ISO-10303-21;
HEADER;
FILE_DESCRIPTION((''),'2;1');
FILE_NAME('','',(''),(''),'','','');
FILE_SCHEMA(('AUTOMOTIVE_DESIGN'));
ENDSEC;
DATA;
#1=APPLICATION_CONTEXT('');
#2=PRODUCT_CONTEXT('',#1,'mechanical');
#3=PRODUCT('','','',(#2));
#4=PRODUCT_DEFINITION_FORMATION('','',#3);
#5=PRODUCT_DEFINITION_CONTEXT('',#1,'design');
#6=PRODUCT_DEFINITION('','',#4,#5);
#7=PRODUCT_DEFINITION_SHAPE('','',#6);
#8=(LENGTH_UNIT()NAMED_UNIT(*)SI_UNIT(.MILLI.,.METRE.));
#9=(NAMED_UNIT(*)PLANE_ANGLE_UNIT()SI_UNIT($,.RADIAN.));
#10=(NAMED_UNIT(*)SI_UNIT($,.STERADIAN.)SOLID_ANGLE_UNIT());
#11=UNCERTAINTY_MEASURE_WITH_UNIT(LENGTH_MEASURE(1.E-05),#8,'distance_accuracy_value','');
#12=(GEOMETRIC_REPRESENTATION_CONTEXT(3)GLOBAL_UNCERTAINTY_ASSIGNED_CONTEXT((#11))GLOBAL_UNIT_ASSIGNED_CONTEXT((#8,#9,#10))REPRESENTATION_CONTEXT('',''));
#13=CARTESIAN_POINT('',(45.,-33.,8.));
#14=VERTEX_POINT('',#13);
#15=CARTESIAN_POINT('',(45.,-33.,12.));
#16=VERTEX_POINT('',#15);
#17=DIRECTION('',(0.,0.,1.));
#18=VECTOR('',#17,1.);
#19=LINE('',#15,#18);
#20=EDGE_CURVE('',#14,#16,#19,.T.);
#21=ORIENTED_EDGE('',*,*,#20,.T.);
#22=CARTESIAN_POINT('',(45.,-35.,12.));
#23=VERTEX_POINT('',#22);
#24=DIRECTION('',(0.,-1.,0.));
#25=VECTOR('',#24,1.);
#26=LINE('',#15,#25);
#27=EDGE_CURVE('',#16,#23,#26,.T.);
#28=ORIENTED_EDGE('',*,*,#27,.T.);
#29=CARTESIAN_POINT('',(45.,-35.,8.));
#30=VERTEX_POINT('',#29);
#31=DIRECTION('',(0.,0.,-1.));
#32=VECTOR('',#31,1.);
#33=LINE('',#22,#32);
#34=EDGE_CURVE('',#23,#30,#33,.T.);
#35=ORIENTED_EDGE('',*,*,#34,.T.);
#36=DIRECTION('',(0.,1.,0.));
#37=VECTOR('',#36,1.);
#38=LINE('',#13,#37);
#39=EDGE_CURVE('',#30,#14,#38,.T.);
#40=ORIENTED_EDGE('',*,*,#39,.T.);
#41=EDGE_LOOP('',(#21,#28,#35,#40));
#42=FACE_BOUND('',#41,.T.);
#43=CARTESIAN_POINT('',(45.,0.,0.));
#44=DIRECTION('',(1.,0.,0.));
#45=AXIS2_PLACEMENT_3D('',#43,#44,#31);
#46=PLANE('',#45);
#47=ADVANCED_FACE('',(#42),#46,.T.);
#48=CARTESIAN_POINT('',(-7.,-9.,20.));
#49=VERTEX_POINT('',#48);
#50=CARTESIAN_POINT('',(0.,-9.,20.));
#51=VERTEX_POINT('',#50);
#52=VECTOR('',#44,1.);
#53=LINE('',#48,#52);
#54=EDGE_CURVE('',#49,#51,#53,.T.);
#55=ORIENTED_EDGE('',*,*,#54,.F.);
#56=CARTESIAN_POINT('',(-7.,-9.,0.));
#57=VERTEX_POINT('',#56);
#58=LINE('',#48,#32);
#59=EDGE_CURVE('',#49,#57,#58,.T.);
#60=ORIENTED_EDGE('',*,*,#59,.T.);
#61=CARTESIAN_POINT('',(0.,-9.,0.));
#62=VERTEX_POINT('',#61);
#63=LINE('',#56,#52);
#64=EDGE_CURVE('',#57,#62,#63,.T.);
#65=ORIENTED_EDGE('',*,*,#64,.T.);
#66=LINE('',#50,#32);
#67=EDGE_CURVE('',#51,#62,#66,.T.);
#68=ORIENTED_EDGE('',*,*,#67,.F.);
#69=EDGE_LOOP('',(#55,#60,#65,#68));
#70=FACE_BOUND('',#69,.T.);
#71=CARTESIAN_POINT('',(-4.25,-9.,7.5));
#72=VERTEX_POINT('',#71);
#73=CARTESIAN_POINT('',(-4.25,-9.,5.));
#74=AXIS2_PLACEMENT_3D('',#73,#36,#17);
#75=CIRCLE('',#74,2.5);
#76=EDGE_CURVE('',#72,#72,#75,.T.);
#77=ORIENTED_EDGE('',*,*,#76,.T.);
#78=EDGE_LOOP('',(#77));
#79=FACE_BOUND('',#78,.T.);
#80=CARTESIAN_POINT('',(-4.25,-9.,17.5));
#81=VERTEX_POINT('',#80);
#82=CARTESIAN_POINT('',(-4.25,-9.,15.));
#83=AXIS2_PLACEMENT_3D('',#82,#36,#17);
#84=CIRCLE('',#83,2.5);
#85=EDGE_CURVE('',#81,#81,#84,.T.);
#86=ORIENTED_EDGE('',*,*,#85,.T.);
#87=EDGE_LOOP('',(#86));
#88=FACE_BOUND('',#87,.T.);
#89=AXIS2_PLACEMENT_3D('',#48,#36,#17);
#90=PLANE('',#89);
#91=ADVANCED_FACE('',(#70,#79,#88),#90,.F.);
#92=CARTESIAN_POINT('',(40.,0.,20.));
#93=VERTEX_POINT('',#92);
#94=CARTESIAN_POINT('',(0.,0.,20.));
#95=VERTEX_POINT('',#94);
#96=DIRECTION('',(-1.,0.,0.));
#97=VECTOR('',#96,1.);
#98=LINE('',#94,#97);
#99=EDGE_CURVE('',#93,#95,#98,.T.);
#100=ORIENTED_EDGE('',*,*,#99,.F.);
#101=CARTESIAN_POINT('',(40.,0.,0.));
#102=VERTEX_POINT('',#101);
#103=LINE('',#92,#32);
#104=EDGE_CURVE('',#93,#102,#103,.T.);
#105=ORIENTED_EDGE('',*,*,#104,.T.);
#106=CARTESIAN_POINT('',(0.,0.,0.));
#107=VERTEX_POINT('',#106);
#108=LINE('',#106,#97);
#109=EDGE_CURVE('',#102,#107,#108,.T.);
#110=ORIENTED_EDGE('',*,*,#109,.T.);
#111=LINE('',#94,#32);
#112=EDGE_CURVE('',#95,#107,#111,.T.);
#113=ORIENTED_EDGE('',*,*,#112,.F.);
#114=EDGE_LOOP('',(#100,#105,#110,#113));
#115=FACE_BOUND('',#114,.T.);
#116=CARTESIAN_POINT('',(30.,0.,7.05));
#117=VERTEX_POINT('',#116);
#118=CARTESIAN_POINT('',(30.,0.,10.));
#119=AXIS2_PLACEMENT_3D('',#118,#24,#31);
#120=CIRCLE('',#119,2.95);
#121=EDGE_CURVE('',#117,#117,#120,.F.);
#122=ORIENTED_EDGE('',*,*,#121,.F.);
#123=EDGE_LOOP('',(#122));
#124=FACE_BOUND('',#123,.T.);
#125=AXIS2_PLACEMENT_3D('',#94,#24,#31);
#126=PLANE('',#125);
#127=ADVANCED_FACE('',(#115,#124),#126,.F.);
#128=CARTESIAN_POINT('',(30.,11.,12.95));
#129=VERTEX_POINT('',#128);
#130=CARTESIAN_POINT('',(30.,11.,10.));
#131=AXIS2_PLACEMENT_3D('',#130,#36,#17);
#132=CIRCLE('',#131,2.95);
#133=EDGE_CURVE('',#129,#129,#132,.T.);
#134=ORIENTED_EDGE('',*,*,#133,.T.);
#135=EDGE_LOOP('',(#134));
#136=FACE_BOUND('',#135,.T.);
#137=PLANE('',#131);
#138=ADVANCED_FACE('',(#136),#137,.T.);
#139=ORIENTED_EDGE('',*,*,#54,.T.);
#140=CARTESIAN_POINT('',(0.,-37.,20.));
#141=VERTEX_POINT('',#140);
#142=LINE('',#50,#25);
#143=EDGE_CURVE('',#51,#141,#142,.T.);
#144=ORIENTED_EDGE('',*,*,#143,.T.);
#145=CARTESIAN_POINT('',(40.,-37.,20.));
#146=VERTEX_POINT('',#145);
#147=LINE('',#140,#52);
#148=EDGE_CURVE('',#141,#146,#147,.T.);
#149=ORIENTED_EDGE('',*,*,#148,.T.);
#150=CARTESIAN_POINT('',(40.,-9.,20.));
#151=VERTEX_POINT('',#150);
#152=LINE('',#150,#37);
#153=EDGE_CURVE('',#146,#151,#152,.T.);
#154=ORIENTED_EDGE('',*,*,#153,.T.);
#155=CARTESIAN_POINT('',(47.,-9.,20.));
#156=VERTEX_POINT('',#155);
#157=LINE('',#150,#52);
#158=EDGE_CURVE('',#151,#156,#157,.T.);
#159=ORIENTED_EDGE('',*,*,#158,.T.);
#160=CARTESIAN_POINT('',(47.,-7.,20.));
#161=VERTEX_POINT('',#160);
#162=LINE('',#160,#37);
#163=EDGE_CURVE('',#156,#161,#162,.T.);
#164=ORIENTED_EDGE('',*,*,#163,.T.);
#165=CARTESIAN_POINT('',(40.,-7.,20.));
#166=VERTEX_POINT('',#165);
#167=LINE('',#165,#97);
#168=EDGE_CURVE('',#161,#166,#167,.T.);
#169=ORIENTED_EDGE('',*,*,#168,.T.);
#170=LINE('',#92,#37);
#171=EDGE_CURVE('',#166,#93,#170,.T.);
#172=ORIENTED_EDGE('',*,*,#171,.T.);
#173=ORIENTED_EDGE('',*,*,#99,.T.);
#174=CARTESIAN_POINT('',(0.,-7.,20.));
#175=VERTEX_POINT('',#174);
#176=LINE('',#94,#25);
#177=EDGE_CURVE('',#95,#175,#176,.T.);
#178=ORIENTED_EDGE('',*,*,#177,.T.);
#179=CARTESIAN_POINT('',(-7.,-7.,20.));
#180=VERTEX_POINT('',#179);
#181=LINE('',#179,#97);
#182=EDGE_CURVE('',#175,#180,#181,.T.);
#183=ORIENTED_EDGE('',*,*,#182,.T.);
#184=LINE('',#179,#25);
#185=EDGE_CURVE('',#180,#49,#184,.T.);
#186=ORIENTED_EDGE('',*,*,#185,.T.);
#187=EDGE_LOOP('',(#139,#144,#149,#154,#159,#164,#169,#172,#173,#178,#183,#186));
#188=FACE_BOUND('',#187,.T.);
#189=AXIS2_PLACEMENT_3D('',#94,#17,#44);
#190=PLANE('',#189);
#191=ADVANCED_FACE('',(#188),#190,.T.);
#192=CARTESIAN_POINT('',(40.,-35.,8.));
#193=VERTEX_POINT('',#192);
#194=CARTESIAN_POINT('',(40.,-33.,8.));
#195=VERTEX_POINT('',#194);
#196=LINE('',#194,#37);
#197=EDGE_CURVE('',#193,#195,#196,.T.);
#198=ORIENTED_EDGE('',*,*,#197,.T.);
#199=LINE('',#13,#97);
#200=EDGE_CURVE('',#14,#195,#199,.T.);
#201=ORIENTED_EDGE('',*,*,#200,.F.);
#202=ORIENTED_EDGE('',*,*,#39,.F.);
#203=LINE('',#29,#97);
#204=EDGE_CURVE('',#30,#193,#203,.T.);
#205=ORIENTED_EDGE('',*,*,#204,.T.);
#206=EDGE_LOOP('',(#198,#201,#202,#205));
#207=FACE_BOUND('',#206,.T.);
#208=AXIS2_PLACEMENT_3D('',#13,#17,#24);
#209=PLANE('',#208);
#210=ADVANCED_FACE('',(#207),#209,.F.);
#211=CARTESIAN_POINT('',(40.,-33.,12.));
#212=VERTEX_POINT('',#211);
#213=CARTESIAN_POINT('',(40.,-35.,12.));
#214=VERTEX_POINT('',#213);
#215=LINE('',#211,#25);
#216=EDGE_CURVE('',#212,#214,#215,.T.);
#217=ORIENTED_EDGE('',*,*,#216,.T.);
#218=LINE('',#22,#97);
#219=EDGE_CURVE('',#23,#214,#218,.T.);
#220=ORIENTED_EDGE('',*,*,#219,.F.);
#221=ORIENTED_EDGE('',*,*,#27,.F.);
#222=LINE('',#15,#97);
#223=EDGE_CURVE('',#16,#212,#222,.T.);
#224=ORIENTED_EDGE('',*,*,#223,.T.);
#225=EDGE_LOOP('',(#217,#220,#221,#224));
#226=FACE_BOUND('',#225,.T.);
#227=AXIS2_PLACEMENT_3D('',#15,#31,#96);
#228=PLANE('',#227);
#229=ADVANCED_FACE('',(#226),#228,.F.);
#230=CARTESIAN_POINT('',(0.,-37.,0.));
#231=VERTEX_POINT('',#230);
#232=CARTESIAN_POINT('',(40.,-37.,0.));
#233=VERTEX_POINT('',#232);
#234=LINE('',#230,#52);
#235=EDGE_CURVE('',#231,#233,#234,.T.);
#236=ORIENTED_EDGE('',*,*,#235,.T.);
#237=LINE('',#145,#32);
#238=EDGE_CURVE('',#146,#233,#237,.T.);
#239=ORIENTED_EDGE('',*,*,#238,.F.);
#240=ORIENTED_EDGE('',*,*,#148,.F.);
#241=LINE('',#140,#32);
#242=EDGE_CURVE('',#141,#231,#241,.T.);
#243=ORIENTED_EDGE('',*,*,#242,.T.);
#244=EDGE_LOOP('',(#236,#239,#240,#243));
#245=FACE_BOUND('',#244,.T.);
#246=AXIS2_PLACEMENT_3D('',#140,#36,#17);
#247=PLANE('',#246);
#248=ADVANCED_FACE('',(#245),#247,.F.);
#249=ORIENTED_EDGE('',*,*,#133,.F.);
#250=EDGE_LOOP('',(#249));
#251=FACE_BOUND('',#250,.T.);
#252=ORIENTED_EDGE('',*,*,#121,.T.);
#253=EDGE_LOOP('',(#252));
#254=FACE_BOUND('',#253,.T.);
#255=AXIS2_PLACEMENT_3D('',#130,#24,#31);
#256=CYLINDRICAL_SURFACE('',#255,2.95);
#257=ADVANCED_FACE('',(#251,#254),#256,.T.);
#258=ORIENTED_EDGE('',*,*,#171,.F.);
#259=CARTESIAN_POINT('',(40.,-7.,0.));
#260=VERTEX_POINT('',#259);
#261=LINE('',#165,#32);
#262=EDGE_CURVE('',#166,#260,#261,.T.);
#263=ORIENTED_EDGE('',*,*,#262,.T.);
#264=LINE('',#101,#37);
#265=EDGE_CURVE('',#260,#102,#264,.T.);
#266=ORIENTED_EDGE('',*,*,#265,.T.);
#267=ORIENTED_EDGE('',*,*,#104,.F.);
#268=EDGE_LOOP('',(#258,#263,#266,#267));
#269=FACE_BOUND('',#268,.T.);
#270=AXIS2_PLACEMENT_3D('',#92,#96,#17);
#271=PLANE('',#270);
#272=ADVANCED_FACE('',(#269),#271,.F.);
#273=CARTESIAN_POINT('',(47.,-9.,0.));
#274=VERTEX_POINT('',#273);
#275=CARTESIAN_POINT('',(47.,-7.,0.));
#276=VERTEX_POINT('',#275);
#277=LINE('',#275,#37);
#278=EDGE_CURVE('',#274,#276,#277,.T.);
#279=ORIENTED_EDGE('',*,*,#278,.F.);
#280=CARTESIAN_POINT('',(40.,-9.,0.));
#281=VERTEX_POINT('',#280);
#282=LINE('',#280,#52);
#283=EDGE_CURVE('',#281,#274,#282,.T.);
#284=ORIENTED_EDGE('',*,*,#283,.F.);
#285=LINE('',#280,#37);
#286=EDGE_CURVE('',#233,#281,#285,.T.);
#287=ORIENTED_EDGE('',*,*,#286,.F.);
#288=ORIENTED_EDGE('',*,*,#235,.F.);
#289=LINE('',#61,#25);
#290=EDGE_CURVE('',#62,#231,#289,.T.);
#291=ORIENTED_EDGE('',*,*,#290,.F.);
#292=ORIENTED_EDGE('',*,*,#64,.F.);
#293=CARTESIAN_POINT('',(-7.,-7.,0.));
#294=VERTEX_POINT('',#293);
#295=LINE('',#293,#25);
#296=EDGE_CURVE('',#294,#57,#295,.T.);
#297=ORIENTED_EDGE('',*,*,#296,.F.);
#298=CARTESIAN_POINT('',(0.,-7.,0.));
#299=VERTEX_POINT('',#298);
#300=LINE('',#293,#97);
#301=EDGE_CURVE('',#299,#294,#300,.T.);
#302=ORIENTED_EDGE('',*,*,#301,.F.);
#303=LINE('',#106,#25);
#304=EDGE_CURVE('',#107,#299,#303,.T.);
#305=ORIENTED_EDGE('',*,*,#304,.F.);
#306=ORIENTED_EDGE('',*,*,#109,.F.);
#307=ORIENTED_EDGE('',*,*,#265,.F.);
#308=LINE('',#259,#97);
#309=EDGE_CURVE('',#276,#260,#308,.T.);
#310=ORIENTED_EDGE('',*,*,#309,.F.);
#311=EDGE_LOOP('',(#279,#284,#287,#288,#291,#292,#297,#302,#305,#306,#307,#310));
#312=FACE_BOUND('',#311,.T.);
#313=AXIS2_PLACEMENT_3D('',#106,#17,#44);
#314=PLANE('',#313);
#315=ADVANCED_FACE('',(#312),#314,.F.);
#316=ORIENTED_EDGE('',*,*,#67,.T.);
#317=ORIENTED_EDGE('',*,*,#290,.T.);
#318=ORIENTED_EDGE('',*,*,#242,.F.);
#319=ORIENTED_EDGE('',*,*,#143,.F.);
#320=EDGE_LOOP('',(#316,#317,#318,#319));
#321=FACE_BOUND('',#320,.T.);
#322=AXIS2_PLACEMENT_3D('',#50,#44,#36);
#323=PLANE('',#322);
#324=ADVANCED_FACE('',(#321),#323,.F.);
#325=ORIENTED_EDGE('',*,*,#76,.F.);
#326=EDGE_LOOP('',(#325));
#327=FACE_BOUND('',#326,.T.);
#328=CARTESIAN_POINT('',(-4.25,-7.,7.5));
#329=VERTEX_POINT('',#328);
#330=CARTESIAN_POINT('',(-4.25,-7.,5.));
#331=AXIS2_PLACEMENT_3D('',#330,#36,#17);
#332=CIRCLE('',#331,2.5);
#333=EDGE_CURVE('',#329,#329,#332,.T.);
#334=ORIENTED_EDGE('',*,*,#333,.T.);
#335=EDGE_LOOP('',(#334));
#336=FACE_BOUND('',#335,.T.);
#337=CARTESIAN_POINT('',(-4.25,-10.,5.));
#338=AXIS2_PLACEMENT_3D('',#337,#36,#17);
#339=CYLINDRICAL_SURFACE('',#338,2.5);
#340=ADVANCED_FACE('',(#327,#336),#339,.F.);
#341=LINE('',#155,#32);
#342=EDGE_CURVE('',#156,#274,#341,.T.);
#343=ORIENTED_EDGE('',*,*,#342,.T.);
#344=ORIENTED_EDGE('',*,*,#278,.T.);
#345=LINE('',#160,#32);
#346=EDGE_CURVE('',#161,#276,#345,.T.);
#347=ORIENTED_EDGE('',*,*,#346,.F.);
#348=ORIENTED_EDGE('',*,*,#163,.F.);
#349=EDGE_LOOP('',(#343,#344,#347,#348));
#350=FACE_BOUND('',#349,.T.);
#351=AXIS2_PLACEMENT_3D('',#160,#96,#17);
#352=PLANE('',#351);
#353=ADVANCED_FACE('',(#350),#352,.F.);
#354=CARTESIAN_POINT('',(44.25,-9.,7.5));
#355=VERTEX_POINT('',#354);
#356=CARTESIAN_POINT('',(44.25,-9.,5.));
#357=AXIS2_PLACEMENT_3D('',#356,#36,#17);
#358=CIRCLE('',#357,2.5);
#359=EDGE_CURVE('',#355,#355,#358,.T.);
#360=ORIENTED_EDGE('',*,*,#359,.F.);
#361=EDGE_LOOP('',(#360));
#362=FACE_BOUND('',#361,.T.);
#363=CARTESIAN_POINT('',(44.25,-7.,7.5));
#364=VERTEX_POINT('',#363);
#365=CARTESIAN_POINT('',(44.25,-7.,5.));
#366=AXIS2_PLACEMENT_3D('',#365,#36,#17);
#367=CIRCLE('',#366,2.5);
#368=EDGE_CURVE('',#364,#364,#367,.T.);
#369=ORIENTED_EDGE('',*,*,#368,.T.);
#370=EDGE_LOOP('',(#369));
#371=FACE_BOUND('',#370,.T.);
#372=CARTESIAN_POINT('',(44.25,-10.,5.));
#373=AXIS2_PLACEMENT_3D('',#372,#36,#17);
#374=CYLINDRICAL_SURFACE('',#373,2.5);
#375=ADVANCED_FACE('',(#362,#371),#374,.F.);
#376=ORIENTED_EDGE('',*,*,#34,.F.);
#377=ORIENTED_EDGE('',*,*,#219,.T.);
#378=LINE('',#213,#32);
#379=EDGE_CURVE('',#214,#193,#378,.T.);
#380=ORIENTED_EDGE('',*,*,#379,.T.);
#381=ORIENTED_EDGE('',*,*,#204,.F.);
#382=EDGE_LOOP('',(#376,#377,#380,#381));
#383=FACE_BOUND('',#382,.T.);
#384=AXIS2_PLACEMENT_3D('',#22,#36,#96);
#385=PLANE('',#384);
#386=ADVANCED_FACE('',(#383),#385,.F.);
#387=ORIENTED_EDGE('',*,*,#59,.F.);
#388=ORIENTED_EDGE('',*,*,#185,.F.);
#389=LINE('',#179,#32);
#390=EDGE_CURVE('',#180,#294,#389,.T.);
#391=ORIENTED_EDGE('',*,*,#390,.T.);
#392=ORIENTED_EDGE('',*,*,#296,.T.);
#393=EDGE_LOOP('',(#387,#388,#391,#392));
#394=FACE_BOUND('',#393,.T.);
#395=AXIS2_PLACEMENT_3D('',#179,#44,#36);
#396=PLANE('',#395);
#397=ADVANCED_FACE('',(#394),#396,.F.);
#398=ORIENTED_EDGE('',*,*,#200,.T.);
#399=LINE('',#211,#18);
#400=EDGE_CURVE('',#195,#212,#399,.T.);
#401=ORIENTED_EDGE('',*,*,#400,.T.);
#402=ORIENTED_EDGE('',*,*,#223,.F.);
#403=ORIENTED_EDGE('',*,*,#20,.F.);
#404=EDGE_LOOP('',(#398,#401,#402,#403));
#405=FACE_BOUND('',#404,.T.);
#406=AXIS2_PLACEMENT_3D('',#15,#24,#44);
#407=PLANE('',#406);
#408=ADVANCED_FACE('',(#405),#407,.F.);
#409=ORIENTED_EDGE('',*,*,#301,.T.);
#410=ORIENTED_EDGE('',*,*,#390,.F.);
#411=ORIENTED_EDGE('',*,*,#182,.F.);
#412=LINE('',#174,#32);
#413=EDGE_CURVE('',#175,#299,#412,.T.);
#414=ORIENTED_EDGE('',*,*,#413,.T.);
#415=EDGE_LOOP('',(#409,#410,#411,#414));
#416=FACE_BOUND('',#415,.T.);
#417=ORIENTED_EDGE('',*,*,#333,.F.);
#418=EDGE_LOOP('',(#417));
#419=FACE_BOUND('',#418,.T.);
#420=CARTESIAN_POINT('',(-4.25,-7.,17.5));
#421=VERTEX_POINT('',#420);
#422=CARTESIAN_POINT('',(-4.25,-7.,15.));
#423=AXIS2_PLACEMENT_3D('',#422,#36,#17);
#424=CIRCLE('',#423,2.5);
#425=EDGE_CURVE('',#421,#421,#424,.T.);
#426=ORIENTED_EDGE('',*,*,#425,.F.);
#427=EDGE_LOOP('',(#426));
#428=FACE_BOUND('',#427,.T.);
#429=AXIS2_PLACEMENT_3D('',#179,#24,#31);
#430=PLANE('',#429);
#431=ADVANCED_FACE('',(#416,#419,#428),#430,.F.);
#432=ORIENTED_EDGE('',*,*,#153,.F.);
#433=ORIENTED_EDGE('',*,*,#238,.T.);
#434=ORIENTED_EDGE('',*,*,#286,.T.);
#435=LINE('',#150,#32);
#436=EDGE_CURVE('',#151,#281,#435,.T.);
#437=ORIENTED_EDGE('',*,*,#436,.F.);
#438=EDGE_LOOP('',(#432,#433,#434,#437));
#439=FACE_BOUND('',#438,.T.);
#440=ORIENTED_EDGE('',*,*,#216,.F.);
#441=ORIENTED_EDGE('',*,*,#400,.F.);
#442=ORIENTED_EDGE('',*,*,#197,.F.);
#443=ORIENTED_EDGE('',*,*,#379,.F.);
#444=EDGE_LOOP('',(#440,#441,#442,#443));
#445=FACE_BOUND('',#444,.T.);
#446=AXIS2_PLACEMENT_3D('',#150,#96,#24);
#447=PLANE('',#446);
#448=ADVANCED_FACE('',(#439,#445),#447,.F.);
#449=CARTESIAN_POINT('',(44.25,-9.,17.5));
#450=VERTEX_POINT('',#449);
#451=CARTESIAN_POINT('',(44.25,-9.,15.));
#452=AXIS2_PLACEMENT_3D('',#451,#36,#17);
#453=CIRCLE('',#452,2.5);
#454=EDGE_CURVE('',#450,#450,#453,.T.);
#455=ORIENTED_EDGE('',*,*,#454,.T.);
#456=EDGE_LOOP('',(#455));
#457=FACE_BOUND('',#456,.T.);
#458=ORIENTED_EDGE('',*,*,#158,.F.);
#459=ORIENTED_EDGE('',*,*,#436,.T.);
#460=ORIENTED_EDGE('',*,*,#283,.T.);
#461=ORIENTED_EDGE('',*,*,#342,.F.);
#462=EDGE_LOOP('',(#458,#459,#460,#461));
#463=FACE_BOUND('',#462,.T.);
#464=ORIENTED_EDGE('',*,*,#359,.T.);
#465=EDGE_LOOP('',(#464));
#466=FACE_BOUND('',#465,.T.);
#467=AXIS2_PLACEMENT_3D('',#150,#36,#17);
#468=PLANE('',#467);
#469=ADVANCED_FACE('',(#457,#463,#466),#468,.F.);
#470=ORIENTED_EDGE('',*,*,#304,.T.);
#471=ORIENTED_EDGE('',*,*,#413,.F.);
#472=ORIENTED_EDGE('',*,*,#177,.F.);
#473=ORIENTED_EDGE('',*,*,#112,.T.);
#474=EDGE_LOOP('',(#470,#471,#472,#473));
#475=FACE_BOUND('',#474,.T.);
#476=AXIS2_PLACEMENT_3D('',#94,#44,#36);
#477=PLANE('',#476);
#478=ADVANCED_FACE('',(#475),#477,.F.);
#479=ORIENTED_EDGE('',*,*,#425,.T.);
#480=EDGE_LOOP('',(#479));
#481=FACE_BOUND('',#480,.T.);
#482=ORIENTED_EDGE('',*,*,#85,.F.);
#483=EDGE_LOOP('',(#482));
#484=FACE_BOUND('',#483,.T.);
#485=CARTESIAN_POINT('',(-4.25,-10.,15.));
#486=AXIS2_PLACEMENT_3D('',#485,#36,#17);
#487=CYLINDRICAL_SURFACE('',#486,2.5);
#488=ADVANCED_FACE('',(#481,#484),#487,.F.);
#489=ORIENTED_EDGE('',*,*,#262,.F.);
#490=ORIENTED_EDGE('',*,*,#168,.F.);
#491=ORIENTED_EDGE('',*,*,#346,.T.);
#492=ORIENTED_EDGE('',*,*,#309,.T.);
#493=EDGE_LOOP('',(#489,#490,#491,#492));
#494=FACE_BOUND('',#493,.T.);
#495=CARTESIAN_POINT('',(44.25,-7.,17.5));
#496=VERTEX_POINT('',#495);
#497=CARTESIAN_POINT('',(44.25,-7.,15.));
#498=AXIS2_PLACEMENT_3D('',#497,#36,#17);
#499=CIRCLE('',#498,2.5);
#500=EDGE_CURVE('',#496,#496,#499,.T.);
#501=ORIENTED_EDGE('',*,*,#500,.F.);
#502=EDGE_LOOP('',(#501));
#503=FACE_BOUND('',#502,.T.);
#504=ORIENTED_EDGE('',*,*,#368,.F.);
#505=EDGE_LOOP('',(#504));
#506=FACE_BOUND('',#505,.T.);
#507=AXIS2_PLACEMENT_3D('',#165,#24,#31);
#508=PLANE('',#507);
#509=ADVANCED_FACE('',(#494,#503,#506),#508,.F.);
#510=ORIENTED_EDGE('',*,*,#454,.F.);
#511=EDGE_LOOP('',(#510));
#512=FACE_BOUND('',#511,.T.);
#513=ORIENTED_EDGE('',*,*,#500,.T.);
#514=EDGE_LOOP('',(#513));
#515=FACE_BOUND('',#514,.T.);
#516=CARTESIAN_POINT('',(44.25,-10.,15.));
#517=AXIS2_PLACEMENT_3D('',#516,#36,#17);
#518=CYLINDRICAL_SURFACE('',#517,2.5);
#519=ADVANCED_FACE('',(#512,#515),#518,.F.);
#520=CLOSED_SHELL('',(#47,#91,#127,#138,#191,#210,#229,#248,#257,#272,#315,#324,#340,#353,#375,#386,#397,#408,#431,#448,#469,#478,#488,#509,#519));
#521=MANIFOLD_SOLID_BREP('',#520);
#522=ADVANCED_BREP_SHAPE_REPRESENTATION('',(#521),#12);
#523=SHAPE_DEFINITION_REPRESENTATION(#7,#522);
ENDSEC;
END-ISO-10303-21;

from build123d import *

# Parameters (mm, degrees)
BOSS_EXTRUDE1_DEPTH = 20
SKETCH2_R           = 2.95
BOSS_EXTRUDE2_DEPTH = 11
SKETCH4_R           = 2.5
CUT_EXTRUDE1_DEPTH  = 3
SKETCH5_W           = 4
SKETCH5_H           = 2
BOSS_EXTRUDE3_DEPTH = 5


with BuildPart() as part:
    # Sketch1 → Boss-Extrude1 (new body)
    with BuildSketch(Plane.XY):
        Polygon((0, -9), (0, -37), (40, -37), (40, -9), (47, -9), (47, -7), (40, -7), (40, 0), (0, 0), (0, -7), (-7, -7), (-7, -9), align=None)
    extrude(amount=BOSS_EXTRUDE1_DEPTH)

    # Sketch2 → Boss-Extrude2 (add)
    with BuildSketch(Plane(origin=(0, 0, 0), x_dir=(1, 0, 0), z_dir=(0, 1, 0))):
        with Locations(Location((30, -10, 0), (0, 0, 90))):
            Circle(SKETCH2_R)
    extrude(amount=BOSS_EXTRUDE2_DEPTH)

    # Sketch4 → Cut-Extrude1 (cut)
    with BuildSketch(Plane(origin=(0, -7, 0), x_dir=(1, 0, 0), z_dir=(0, 1, 0))):
        with Locations(Location((-4.25, -5, 0), (0, 0, 270))):
            Circle(SKETCH4_R)
        with Locations(Location((-4.25, -15, 0), (0, 0, 270))):
            Circle(SKETCH4_R)
        with Locations(Location((44.25, -5, 0), (0, 0, 270))):
            Circle(SKETCH4_R)
        with Locations(Location((44.25, -15, 0), (0, 0, 270))):
            Circle(SKETCH4_R)
    extrude(amount=-CUT_EXTRUDE1_DEPTH, mode=Mode.SUBTRACT)

    # Sketch5 → Boss-Extrude3 (add)
    with BuildSketch(Plane(origin=(40, 0, 0), x_dir=(0, 0, -1), z_dir=(1, 0, 0))):
        with Locations((-10, -34)):
            Rectangle(SKETCH5_W, SKETCH5_H)
    extrude(amount=BOSS_EXTRUDE3_DEPTH)


solid = part.part
